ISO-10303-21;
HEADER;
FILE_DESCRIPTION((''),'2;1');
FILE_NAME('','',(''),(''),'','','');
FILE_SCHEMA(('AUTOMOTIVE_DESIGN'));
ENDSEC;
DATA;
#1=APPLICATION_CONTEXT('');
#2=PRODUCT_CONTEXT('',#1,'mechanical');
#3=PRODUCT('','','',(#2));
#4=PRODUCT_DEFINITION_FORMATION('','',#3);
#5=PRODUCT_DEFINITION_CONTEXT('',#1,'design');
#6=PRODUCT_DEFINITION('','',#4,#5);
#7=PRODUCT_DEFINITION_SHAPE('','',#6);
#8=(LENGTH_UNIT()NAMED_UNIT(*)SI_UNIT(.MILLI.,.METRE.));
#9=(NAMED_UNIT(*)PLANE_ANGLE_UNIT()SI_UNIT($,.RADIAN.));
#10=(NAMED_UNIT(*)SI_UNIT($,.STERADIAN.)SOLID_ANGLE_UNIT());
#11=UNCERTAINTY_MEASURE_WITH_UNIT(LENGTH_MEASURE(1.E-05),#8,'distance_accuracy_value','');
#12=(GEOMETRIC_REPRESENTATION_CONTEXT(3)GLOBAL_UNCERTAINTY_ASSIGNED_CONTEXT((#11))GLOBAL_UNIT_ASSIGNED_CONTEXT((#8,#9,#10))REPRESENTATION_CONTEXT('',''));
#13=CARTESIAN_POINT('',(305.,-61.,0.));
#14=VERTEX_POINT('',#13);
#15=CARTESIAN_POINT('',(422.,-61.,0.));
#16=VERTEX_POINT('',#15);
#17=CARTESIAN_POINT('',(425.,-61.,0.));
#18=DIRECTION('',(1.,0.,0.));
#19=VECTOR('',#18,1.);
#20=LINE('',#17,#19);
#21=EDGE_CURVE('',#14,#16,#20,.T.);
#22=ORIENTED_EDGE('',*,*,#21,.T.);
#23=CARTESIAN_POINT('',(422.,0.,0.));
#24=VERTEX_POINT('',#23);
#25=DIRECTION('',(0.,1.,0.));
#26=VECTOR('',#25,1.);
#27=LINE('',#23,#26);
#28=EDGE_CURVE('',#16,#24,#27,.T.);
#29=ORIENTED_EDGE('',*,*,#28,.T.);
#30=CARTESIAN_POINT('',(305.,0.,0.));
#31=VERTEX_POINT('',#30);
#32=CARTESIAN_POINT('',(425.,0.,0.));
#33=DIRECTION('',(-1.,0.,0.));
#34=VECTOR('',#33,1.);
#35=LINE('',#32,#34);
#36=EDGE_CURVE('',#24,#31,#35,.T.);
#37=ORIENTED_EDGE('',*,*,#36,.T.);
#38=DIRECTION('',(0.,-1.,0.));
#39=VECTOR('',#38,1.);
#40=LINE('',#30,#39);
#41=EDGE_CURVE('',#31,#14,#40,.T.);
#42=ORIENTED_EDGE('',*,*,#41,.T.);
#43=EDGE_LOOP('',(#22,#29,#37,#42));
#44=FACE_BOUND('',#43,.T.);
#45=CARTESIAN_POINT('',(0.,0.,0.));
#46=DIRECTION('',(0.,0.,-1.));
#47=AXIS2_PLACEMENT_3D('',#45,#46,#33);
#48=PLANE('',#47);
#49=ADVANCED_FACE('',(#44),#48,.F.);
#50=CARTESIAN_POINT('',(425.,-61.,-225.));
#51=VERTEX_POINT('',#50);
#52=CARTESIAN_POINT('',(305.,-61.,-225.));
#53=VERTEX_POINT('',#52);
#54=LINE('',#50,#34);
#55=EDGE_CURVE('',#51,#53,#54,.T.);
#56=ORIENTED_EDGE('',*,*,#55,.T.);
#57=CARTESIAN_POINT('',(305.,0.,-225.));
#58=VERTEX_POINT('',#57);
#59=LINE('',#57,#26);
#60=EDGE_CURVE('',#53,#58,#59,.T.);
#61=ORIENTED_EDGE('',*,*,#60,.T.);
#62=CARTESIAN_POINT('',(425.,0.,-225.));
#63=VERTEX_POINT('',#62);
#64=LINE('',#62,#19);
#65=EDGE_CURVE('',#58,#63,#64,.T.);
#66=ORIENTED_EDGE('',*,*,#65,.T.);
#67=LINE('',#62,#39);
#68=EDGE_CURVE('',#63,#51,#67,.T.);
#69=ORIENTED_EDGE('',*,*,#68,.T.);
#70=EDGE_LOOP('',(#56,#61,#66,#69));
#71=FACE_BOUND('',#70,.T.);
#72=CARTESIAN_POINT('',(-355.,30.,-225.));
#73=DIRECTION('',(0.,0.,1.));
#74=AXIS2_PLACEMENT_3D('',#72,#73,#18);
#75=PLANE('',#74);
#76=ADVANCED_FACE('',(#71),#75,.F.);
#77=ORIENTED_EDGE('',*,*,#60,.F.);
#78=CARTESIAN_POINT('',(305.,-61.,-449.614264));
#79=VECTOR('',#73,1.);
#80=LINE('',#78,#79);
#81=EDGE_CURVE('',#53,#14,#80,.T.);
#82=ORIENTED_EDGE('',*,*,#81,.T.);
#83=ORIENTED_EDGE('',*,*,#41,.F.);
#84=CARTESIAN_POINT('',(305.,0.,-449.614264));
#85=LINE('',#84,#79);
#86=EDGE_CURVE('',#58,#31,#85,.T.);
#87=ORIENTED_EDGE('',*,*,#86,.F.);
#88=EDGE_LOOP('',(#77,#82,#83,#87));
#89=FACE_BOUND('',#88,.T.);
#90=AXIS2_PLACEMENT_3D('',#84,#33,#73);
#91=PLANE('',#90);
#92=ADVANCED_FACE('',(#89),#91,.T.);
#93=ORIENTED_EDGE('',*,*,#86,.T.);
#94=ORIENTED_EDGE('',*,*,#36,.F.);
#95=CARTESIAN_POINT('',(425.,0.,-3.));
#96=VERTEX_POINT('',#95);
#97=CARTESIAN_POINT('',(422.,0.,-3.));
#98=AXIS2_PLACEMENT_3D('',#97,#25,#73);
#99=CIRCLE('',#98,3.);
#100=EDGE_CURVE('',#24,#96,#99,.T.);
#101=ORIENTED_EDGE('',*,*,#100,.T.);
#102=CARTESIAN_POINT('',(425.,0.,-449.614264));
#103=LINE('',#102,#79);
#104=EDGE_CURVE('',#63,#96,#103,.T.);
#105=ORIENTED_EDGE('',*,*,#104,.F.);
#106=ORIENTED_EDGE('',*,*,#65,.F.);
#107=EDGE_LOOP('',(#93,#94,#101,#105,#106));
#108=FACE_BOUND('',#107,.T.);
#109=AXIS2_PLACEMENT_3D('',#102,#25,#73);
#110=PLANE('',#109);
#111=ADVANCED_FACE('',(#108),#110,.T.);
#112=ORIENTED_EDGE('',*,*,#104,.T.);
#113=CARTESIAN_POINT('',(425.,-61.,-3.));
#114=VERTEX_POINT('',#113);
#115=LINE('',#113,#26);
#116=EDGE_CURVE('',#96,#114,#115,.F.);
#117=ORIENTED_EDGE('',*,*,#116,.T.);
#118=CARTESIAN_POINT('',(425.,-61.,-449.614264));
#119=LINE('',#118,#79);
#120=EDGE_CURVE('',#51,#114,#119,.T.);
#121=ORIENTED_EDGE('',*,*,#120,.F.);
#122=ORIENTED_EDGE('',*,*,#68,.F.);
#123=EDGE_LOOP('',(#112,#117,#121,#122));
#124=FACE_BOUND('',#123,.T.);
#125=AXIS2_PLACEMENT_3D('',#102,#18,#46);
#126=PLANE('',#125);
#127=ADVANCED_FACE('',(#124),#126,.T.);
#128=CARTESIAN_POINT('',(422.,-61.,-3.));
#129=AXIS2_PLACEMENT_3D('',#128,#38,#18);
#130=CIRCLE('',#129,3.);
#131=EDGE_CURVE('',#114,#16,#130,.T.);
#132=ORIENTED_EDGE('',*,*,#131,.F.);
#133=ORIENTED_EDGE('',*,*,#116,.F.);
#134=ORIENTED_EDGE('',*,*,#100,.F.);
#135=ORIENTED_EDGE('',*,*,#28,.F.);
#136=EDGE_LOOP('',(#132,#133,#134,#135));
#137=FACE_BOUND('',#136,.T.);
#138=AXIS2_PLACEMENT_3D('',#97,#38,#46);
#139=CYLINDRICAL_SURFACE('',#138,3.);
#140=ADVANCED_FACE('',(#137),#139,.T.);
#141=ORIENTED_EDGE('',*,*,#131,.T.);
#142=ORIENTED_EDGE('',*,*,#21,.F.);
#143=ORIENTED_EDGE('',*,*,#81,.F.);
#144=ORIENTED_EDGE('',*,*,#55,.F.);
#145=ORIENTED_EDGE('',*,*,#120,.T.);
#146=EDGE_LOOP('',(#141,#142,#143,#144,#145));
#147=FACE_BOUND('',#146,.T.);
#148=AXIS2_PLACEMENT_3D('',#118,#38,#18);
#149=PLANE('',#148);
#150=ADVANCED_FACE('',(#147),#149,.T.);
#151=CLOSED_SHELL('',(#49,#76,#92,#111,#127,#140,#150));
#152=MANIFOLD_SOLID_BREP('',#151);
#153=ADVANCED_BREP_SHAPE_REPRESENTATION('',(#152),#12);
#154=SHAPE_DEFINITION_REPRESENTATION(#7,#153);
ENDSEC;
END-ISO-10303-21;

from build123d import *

# Parameters (mm, degrees)
SKETCH_1_W      = 120
SKETCH_1_H      = 61
EXTRUDE_1_DEPTH = 225
FILLET_1_R      = 3


with BuildPart() as part:
    # 草图1 → 凸台-拉伸1 (new body)
    with BuildSketch(Plane.XY):
        with Locations((365, -30.5)):
            Rectangle(SKETCH_1_W, SKETCH_1_H)
    extrude(amount=-EXTRUDE_1_DEPTH)

    # 圆角1
    fillet_1_edges = [part.edges().sort_by_distance(p)[0] for p in [
        (425, -30.5, 0),
    ]]
    fillet(fillet_1_edges, radius=FILLET_1_R)


solid = part.part
